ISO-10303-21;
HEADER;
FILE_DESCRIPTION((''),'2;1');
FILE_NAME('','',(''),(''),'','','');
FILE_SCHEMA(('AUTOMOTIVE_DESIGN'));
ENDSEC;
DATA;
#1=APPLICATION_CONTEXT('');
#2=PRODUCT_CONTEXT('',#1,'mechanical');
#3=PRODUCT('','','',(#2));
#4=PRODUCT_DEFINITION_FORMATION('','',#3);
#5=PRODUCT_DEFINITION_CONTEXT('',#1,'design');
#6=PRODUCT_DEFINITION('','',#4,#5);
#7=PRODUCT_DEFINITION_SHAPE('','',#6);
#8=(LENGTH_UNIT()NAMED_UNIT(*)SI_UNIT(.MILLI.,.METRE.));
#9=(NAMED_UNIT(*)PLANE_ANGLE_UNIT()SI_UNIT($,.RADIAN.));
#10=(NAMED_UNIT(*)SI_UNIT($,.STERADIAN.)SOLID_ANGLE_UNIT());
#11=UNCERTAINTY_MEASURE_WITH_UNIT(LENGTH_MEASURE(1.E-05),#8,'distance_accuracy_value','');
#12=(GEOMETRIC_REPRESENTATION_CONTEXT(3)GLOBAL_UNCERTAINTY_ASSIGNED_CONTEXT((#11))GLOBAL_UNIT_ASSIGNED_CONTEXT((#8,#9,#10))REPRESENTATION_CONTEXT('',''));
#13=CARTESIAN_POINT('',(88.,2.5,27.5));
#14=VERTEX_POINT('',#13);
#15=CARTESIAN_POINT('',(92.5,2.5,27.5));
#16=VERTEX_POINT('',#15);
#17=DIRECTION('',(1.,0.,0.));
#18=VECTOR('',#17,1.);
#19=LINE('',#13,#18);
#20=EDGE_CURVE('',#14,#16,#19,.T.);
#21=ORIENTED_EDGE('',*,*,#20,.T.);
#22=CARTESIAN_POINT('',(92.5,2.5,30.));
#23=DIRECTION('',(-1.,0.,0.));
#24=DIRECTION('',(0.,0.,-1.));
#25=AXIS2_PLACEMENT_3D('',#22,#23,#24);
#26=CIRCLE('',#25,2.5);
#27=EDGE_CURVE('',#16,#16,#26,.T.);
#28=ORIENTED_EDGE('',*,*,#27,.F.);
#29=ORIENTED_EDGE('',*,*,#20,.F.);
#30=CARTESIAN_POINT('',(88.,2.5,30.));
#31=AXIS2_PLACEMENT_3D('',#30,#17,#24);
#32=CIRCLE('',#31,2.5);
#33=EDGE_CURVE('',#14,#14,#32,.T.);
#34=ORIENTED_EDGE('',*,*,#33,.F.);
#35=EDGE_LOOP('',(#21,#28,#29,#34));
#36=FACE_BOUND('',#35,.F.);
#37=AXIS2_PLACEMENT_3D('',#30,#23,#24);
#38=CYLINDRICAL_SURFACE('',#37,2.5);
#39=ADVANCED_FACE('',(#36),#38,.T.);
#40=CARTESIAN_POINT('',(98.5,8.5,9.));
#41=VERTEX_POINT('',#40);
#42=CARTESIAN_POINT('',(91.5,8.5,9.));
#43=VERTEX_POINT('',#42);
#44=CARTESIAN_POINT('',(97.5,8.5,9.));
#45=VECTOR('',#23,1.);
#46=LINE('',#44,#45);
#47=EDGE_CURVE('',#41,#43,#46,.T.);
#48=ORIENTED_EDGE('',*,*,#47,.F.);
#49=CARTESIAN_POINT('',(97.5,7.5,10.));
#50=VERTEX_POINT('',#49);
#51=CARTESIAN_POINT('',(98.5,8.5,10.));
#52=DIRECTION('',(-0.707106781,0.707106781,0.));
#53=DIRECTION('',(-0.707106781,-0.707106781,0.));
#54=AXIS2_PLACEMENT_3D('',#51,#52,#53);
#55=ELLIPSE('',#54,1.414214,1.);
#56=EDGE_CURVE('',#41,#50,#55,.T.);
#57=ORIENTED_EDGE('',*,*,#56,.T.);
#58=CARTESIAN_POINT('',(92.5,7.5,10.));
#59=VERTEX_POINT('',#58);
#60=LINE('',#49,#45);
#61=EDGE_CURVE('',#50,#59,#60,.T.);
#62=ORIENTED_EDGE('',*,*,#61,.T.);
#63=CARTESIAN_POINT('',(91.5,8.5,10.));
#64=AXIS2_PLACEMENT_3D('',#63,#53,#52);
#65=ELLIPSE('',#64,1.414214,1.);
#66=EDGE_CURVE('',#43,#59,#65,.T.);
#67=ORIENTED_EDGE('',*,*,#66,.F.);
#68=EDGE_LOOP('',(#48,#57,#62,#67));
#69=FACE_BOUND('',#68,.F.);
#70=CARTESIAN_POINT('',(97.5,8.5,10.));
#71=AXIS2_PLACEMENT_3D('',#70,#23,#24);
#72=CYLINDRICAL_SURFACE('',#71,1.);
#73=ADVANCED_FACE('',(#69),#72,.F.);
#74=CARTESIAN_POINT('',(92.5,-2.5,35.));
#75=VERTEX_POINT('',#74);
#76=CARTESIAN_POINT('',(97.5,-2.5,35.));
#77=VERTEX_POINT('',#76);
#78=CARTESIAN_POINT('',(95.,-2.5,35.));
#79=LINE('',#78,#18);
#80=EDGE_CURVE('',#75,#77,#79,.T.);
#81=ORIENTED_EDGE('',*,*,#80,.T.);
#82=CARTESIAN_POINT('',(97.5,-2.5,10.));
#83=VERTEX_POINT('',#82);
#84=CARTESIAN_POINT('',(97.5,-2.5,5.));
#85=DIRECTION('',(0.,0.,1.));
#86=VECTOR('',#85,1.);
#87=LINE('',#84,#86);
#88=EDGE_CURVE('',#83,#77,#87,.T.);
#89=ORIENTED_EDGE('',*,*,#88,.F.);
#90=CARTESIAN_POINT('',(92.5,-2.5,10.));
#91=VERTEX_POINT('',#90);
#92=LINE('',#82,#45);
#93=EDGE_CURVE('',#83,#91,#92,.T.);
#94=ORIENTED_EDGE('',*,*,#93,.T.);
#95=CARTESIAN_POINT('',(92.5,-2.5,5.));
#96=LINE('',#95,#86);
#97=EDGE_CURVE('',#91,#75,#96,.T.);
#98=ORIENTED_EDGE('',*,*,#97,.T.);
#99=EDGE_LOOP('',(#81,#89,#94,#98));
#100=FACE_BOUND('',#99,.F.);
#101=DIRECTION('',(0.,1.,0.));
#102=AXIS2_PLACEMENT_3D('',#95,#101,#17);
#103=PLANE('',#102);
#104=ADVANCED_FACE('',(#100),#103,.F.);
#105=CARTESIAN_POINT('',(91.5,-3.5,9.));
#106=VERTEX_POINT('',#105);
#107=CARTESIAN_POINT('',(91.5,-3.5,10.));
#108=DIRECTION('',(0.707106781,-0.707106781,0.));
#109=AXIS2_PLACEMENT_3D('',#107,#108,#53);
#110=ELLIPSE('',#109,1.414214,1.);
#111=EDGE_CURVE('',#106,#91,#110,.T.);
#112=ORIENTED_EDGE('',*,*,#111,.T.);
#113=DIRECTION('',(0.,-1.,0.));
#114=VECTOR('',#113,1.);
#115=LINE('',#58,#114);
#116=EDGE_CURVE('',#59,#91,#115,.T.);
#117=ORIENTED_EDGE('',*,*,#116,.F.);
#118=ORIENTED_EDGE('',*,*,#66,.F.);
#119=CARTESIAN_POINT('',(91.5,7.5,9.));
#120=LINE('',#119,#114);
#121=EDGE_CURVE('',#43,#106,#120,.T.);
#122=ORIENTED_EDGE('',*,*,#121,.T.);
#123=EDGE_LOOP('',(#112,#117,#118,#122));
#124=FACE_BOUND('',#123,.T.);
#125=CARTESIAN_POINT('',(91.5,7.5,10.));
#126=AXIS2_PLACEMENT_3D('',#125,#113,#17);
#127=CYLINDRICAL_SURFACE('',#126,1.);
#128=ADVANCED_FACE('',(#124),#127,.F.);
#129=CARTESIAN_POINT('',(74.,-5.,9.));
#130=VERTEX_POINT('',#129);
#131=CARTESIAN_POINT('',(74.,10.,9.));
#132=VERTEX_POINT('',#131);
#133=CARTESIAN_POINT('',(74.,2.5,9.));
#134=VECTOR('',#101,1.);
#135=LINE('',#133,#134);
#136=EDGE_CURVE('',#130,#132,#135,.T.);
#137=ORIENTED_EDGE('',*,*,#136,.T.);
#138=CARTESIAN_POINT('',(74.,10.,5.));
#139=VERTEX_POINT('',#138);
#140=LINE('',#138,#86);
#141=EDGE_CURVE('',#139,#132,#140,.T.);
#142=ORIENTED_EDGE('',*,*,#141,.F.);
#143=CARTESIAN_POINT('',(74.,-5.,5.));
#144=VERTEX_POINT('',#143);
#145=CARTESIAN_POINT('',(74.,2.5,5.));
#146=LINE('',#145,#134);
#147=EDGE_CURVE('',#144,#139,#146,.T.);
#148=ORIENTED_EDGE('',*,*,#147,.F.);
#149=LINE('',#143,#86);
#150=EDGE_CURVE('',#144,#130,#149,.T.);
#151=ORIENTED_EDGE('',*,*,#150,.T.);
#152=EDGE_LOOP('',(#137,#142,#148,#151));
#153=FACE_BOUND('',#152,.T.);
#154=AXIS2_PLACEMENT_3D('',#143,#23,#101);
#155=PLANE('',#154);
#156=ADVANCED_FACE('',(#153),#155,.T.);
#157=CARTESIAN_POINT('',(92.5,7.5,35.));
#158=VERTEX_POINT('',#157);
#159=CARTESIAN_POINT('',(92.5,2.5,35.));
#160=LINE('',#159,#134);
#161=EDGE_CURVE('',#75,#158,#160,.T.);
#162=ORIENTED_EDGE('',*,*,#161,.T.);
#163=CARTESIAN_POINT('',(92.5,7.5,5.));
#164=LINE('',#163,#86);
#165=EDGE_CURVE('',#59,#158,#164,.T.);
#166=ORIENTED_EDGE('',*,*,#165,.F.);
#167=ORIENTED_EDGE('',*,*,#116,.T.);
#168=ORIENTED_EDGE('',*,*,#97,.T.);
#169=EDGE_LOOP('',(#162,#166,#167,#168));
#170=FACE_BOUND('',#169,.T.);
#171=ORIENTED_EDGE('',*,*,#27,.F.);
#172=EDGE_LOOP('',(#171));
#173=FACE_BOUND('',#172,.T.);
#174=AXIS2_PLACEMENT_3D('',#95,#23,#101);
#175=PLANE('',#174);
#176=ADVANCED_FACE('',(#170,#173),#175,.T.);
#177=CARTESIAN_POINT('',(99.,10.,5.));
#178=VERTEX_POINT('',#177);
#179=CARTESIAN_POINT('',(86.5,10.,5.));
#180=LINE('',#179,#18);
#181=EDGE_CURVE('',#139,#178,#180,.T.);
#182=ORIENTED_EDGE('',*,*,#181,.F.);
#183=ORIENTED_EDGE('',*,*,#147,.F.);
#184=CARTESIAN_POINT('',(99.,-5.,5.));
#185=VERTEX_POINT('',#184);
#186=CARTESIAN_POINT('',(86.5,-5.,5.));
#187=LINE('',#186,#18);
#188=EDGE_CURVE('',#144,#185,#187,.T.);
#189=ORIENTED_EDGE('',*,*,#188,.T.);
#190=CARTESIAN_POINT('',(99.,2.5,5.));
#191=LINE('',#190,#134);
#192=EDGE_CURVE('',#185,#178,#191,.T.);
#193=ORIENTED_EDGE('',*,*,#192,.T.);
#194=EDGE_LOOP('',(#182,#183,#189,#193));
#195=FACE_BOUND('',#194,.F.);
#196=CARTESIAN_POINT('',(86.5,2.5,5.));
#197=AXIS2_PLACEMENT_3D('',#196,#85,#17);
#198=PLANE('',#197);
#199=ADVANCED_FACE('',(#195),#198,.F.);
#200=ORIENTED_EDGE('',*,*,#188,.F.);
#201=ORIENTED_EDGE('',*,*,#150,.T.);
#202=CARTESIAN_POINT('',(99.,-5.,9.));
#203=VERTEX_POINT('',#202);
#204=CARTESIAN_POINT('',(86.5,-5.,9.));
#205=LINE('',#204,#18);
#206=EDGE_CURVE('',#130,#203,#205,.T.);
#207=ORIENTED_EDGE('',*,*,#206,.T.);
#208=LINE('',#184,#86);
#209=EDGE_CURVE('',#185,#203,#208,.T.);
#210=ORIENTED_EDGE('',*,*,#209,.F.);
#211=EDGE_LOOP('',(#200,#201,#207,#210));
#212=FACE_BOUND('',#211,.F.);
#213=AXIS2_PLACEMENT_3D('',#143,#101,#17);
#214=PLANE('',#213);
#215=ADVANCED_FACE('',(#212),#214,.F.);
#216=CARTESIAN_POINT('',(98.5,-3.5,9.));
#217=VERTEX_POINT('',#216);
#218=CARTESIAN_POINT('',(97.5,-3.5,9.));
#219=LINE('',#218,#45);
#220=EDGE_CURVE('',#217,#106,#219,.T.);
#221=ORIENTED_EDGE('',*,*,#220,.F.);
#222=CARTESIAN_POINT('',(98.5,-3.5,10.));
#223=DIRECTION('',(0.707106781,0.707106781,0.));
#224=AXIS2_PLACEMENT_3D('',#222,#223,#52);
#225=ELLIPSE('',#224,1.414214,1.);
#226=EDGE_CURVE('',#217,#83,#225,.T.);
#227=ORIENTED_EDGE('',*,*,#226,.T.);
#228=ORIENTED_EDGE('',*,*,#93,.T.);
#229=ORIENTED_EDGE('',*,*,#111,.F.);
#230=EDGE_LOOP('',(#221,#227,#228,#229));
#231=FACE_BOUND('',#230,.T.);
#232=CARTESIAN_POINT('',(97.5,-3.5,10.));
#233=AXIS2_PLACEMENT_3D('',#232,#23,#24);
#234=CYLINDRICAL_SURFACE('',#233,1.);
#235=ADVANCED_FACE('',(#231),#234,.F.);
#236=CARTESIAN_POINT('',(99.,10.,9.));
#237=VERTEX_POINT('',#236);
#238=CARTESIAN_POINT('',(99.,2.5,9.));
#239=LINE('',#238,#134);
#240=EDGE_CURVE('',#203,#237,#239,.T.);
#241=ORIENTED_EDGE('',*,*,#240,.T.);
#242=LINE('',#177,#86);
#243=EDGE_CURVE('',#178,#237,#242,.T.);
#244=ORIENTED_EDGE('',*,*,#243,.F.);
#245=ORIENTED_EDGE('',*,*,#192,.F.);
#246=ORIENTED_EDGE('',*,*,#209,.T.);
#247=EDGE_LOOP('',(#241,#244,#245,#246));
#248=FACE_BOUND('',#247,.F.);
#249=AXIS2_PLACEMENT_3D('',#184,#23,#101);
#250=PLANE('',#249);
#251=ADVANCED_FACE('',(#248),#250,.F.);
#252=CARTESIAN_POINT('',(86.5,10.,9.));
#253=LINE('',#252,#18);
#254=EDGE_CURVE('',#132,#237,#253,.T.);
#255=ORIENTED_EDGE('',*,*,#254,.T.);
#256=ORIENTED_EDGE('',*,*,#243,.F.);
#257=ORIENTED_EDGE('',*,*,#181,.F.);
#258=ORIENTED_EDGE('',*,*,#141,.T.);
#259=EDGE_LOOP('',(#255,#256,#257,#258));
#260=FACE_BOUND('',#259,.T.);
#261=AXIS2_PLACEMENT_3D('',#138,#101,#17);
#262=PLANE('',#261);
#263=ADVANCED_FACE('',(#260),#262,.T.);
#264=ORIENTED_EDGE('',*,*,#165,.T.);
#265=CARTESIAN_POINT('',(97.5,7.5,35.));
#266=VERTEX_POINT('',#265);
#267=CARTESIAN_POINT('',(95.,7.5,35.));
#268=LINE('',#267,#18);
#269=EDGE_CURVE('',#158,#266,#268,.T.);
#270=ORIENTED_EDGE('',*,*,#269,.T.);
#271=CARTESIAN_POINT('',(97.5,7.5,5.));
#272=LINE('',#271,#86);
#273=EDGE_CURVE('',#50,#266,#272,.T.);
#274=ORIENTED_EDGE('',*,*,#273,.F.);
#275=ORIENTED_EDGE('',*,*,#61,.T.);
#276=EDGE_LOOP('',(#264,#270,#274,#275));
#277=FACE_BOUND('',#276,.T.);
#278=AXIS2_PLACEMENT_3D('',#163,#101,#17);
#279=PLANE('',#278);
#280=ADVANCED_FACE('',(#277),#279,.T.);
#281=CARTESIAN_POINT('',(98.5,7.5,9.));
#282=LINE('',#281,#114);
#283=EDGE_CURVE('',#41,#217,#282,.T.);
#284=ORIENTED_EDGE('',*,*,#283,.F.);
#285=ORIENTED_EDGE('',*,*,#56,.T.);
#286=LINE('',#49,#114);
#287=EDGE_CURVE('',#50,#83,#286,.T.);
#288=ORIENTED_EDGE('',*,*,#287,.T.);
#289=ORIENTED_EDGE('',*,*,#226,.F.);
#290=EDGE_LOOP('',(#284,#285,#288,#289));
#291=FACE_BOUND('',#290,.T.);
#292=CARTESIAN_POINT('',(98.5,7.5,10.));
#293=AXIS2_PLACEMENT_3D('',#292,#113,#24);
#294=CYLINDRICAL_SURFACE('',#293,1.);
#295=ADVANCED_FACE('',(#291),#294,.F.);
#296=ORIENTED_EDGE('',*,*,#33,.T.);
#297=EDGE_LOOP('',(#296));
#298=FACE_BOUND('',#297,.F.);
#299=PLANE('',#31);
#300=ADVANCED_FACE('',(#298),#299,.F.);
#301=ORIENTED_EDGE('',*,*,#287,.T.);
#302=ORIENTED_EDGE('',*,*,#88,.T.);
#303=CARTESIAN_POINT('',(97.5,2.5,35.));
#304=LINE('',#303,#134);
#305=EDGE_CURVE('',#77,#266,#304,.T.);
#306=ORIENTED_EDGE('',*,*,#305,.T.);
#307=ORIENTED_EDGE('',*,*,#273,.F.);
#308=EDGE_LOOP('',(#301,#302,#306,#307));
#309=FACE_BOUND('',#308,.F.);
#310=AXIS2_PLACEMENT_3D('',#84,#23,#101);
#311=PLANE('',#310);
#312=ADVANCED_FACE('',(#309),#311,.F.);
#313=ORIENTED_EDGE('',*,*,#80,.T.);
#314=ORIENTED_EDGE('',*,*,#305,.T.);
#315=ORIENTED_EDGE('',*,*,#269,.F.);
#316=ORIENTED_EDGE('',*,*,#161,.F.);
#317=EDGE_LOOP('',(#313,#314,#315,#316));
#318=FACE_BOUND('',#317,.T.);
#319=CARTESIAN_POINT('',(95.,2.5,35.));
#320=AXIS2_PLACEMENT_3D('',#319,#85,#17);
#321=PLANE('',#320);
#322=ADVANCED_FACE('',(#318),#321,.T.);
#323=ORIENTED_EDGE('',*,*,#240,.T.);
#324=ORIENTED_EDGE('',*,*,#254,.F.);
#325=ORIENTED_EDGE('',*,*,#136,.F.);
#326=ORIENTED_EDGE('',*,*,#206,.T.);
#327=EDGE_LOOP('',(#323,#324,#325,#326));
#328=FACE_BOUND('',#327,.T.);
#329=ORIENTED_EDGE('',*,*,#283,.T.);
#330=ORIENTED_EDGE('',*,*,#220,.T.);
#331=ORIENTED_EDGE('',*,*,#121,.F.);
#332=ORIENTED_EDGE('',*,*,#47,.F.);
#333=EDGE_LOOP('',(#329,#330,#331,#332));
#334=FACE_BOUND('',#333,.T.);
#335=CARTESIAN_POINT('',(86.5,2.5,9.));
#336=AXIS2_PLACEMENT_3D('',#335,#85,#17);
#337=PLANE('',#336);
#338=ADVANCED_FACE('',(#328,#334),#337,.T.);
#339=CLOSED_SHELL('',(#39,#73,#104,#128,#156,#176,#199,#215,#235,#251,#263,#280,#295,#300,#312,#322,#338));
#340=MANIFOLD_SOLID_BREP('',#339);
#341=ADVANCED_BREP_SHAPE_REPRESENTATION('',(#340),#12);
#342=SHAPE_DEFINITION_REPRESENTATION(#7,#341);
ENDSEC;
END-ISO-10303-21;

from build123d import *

# Parameters (mm, degrees)
CYLINDER024_R     = 2.5
CYLINDER024_DEPTH = 5
BOX023_W          = 5
BOX023_H          = 10
BOX023_DEPTH      = 30
BOX024_W          = 25
BOX024_H          = 15
BOX024_DEPTH      = 4
FILLET_R          = 1


with BuildPart() as tapon_rotor:
    # Cylinder024 → Cylinder024 (new body)
    with BuildSketch(Plane(origin=(92, 2.5, 30), x_dir=(0, 0, -1), z_dir=(1, 0, 0))):
        Circle(CYLINDER024_R)
    extrude(amount=CYLINDER024_DEPTH)


with BuildPart() as tapon_soporte:
    # Box023 → Box023 (new body)
    with BuildSketch(Plane(origin=(96.5, -2.5, 5), x_dir=(1, 0, 0), z_dir=(0, 0, 1))):
        with Locations((2.5, 5)):
            Rectangle(BOX023_W, BOX023_H)
    extrude(amount=BOX023_DEPTH)

    # Fusion016: union tapon rotor
    add(tapon_rotor.part)


with BuildPart() as tapon_brazo_centro:
    # Box024 → Box024 (new body)
    with BuildSketch(Plane(origin=(78, -5, 5), x_dir=(1, 0, 0), z_dir=(0, 0, 1))):
        with Locations((12.5, 7.5)):
            Rectangle(BOX024_W, BOX024_H)
    extrude(amount=BOX024_DEPTH)

    # Fusion017: union tapon/soporte
    add(tapon_soporte.part)


with BuildPart() as tapon_brazo_centro_1:
    # Fusion017 placement: moved
    add(tapon_brazo_centro.part.moved(Location((-4, 0, 0))))

    # Fillet
    fillet_edges = [tapon_brazo_centro_1.edges().sort_by_distance(p)[0] for p in [
        (95, -2.5, 9),
        (97.5, 2.5, 9),
        (95, 7.5, 9),
        (92.5, 2.5, 9),
    ]]
    fillet(fillet_edges, radius=FILLET_R)


solid = tapon_brazo_centro_1.part
